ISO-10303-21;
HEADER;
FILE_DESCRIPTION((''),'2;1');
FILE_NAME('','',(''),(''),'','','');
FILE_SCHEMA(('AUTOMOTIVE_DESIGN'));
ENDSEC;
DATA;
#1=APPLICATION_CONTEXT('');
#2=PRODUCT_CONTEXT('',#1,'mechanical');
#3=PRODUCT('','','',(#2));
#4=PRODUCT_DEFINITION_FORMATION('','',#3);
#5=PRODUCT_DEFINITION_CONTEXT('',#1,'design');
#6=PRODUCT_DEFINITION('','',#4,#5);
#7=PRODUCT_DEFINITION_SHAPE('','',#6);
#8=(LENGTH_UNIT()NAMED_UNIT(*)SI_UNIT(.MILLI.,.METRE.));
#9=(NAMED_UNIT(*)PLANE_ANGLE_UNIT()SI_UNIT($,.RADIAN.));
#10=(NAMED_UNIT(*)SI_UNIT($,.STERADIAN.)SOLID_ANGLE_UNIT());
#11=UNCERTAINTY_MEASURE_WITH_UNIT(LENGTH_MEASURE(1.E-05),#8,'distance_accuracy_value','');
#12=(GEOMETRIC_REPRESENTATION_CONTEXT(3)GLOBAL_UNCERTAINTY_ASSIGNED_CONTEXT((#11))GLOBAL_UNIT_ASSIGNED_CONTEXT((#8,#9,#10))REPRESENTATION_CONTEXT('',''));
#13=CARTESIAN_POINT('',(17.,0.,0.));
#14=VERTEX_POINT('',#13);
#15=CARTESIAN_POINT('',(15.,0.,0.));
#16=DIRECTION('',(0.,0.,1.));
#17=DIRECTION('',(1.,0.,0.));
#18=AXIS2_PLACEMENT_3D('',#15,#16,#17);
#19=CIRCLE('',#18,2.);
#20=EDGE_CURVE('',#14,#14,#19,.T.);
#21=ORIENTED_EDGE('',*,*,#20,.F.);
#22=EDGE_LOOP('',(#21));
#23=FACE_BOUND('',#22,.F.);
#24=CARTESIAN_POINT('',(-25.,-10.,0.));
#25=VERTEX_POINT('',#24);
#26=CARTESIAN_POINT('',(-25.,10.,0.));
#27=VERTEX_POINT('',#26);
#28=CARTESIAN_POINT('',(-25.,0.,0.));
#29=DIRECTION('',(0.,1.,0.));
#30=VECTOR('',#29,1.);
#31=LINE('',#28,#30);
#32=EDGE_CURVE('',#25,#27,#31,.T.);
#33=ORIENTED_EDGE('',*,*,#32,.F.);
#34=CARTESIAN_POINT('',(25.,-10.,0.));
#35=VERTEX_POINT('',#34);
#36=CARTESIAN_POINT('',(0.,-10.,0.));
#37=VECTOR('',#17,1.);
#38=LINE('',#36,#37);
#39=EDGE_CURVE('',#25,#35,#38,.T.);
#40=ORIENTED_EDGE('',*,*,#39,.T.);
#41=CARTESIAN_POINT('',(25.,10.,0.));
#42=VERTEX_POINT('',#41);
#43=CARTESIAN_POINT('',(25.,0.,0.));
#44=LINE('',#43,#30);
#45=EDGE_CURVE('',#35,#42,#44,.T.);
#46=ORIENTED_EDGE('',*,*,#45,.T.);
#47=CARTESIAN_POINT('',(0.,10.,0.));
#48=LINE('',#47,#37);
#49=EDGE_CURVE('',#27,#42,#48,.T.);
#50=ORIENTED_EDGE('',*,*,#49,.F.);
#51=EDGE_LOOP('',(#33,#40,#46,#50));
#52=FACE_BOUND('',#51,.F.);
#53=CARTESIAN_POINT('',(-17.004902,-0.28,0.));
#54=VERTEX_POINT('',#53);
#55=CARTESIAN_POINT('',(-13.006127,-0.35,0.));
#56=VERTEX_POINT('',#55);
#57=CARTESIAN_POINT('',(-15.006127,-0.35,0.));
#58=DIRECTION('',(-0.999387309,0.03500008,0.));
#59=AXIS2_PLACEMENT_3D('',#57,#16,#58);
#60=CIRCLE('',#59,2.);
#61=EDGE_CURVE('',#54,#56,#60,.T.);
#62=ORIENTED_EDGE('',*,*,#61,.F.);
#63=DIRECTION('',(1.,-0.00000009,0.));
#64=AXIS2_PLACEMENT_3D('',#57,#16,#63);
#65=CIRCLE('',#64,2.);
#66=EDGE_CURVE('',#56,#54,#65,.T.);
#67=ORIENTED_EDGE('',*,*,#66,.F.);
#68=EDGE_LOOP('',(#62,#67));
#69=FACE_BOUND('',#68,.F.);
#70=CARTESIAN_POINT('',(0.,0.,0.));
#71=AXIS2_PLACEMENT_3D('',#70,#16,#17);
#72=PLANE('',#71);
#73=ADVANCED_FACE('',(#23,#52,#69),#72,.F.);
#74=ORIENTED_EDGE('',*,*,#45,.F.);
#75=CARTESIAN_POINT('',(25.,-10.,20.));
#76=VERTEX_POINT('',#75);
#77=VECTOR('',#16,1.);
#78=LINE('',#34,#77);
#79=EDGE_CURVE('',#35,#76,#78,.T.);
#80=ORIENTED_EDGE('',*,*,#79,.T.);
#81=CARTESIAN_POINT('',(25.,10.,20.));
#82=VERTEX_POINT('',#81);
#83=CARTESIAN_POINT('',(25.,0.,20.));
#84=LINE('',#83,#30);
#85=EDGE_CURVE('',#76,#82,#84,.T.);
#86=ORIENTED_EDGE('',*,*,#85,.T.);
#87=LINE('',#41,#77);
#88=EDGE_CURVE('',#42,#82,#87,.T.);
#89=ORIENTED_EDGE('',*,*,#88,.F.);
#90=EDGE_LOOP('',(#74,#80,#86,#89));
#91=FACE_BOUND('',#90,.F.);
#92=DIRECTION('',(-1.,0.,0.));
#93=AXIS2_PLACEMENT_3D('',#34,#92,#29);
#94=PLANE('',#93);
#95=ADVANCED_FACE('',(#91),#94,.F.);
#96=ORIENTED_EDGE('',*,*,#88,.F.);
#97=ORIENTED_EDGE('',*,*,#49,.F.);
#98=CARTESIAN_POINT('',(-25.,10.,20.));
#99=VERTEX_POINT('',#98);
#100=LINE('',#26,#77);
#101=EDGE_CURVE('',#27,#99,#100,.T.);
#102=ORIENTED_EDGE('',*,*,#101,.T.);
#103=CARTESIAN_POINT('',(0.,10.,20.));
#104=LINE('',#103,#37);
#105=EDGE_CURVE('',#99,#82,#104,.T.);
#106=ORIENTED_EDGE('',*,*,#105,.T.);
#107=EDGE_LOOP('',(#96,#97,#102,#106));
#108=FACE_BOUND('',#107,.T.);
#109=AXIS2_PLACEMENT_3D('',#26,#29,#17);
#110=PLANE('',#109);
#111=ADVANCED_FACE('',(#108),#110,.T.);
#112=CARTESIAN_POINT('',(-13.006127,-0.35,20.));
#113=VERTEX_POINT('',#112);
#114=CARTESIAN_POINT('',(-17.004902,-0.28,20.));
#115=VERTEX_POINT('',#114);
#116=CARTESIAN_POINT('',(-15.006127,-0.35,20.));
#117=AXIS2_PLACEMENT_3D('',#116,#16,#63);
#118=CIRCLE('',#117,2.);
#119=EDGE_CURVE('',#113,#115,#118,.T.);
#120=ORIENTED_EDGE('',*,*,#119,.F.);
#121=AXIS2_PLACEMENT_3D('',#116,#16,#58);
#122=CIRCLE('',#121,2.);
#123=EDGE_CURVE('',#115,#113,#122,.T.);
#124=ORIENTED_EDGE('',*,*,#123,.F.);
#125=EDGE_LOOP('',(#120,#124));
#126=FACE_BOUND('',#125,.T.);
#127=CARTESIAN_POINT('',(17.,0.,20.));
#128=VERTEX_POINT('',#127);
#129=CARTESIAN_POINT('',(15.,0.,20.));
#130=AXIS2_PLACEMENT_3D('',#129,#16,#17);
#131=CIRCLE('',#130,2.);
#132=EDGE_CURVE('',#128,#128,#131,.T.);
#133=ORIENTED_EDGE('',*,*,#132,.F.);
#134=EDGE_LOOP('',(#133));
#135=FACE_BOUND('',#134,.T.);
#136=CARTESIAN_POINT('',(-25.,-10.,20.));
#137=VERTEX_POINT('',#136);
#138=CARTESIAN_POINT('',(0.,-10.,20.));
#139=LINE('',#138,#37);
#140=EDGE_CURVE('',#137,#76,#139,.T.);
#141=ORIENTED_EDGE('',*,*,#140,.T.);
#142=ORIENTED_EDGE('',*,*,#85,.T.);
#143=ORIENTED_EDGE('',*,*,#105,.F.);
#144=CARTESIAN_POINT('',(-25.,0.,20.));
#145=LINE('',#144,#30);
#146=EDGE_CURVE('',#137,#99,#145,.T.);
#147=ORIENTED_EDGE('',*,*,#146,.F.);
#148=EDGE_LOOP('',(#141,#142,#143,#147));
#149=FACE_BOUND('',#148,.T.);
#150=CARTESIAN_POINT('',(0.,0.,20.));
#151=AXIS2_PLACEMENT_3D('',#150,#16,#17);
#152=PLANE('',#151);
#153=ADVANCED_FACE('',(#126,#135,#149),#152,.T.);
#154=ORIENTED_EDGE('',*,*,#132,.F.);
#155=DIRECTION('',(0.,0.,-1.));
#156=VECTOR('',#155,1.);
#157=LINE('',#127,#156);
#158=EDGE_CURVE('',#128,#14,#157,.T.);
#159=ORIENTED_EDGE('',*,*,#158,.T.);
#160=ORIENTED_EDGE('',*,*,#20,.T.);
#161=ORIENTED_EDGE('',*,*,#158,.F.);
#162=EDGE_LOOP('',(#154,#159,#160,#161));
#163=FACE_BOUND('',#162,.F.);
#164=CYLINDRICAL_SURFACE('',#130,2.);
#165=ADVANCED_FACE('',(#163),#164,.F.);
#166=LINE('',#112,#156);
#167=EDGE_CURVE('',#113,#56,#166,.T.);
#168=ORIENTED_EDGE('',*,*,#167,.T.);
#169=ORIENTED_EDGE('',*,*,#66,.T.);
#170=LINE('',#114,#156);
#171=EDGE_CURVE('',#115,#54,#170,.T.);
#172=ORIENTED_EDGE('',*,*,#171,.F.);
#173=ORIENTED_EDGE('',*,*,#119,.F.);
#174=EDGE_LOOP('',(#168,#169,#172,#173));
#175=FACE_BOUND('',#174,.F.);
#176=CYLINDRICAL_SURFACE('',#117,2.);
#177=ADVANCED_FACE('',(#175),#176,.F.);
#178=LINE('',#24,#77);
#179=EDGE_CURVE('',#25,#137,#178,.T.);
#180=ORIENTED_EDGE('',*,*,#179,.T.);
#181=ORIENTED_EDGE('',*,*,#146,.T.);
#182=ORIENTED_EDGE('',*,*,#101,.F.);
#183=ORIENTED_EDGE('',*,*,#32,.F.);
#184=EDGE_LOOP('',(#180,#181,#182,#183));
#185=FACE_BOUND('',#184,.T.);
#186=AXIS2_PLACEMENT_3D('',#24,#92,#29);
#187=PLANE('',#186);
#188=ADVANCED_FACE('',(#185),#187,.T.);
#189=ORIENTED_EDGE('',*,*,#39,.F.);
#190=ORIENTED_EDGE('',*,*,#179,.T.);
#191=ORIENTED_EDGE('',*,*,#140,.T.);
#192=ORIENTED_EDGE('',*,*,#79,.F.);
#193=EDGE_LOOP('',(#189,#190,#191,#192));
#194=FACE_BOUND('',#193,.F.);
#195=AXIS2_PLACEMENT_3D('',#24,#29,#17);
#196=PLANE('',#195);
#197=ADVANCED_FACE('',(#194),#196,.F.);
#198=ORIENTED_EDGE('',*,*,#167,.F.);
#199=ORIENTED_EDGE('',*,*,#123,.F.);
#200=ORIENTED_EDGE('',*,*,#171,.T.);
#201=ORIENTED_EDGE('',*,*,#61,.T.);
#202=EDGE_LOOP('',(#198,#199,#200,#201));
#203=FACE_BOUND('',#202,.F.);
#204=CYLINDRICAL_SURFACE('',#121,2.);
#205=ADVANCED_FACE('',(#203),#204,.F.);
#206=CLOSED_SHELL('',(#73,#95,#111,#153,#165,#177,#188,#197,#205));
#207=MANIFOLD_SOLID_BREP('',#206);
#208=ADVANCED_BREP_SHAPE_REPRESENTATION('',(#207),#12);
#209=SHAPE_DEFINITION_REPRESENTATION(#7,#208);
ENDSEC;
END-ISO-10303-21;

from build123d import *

# Parameters (mm, degrees)
F0_W     = 50
F0_H     = 20
F1_DEPTH = 20
F2_R     = 2
F3_DEPTH = 25


with BuildPart() as f1:
    # F0 (on Top) → F1 (new body)
    with BuildSketch(Plane.XY):
        Rectangle(F0_W, F0_H)
    extrude(amount=F1_DEPTH)

    # F2 (on face) → F3 (cut)
    with BuildSketch(Plane.XY.offset(20)):
        with BuildLine():
            ThreePointArc((-13.006127, -0.35), (-14.971122, 1.649694), (-17.004902, -0.28))
            ThreePointArc((-17.004902, -0.28), (-15.041132, -2.349694), (-13.006127, -0.35))
        make_face()
        with Locations((15, 0)):
            Circle(F2_R)
    extrude(amount=-F3_DEPTH, mode=Mode.SUBTRACT)


solid = f1.part
